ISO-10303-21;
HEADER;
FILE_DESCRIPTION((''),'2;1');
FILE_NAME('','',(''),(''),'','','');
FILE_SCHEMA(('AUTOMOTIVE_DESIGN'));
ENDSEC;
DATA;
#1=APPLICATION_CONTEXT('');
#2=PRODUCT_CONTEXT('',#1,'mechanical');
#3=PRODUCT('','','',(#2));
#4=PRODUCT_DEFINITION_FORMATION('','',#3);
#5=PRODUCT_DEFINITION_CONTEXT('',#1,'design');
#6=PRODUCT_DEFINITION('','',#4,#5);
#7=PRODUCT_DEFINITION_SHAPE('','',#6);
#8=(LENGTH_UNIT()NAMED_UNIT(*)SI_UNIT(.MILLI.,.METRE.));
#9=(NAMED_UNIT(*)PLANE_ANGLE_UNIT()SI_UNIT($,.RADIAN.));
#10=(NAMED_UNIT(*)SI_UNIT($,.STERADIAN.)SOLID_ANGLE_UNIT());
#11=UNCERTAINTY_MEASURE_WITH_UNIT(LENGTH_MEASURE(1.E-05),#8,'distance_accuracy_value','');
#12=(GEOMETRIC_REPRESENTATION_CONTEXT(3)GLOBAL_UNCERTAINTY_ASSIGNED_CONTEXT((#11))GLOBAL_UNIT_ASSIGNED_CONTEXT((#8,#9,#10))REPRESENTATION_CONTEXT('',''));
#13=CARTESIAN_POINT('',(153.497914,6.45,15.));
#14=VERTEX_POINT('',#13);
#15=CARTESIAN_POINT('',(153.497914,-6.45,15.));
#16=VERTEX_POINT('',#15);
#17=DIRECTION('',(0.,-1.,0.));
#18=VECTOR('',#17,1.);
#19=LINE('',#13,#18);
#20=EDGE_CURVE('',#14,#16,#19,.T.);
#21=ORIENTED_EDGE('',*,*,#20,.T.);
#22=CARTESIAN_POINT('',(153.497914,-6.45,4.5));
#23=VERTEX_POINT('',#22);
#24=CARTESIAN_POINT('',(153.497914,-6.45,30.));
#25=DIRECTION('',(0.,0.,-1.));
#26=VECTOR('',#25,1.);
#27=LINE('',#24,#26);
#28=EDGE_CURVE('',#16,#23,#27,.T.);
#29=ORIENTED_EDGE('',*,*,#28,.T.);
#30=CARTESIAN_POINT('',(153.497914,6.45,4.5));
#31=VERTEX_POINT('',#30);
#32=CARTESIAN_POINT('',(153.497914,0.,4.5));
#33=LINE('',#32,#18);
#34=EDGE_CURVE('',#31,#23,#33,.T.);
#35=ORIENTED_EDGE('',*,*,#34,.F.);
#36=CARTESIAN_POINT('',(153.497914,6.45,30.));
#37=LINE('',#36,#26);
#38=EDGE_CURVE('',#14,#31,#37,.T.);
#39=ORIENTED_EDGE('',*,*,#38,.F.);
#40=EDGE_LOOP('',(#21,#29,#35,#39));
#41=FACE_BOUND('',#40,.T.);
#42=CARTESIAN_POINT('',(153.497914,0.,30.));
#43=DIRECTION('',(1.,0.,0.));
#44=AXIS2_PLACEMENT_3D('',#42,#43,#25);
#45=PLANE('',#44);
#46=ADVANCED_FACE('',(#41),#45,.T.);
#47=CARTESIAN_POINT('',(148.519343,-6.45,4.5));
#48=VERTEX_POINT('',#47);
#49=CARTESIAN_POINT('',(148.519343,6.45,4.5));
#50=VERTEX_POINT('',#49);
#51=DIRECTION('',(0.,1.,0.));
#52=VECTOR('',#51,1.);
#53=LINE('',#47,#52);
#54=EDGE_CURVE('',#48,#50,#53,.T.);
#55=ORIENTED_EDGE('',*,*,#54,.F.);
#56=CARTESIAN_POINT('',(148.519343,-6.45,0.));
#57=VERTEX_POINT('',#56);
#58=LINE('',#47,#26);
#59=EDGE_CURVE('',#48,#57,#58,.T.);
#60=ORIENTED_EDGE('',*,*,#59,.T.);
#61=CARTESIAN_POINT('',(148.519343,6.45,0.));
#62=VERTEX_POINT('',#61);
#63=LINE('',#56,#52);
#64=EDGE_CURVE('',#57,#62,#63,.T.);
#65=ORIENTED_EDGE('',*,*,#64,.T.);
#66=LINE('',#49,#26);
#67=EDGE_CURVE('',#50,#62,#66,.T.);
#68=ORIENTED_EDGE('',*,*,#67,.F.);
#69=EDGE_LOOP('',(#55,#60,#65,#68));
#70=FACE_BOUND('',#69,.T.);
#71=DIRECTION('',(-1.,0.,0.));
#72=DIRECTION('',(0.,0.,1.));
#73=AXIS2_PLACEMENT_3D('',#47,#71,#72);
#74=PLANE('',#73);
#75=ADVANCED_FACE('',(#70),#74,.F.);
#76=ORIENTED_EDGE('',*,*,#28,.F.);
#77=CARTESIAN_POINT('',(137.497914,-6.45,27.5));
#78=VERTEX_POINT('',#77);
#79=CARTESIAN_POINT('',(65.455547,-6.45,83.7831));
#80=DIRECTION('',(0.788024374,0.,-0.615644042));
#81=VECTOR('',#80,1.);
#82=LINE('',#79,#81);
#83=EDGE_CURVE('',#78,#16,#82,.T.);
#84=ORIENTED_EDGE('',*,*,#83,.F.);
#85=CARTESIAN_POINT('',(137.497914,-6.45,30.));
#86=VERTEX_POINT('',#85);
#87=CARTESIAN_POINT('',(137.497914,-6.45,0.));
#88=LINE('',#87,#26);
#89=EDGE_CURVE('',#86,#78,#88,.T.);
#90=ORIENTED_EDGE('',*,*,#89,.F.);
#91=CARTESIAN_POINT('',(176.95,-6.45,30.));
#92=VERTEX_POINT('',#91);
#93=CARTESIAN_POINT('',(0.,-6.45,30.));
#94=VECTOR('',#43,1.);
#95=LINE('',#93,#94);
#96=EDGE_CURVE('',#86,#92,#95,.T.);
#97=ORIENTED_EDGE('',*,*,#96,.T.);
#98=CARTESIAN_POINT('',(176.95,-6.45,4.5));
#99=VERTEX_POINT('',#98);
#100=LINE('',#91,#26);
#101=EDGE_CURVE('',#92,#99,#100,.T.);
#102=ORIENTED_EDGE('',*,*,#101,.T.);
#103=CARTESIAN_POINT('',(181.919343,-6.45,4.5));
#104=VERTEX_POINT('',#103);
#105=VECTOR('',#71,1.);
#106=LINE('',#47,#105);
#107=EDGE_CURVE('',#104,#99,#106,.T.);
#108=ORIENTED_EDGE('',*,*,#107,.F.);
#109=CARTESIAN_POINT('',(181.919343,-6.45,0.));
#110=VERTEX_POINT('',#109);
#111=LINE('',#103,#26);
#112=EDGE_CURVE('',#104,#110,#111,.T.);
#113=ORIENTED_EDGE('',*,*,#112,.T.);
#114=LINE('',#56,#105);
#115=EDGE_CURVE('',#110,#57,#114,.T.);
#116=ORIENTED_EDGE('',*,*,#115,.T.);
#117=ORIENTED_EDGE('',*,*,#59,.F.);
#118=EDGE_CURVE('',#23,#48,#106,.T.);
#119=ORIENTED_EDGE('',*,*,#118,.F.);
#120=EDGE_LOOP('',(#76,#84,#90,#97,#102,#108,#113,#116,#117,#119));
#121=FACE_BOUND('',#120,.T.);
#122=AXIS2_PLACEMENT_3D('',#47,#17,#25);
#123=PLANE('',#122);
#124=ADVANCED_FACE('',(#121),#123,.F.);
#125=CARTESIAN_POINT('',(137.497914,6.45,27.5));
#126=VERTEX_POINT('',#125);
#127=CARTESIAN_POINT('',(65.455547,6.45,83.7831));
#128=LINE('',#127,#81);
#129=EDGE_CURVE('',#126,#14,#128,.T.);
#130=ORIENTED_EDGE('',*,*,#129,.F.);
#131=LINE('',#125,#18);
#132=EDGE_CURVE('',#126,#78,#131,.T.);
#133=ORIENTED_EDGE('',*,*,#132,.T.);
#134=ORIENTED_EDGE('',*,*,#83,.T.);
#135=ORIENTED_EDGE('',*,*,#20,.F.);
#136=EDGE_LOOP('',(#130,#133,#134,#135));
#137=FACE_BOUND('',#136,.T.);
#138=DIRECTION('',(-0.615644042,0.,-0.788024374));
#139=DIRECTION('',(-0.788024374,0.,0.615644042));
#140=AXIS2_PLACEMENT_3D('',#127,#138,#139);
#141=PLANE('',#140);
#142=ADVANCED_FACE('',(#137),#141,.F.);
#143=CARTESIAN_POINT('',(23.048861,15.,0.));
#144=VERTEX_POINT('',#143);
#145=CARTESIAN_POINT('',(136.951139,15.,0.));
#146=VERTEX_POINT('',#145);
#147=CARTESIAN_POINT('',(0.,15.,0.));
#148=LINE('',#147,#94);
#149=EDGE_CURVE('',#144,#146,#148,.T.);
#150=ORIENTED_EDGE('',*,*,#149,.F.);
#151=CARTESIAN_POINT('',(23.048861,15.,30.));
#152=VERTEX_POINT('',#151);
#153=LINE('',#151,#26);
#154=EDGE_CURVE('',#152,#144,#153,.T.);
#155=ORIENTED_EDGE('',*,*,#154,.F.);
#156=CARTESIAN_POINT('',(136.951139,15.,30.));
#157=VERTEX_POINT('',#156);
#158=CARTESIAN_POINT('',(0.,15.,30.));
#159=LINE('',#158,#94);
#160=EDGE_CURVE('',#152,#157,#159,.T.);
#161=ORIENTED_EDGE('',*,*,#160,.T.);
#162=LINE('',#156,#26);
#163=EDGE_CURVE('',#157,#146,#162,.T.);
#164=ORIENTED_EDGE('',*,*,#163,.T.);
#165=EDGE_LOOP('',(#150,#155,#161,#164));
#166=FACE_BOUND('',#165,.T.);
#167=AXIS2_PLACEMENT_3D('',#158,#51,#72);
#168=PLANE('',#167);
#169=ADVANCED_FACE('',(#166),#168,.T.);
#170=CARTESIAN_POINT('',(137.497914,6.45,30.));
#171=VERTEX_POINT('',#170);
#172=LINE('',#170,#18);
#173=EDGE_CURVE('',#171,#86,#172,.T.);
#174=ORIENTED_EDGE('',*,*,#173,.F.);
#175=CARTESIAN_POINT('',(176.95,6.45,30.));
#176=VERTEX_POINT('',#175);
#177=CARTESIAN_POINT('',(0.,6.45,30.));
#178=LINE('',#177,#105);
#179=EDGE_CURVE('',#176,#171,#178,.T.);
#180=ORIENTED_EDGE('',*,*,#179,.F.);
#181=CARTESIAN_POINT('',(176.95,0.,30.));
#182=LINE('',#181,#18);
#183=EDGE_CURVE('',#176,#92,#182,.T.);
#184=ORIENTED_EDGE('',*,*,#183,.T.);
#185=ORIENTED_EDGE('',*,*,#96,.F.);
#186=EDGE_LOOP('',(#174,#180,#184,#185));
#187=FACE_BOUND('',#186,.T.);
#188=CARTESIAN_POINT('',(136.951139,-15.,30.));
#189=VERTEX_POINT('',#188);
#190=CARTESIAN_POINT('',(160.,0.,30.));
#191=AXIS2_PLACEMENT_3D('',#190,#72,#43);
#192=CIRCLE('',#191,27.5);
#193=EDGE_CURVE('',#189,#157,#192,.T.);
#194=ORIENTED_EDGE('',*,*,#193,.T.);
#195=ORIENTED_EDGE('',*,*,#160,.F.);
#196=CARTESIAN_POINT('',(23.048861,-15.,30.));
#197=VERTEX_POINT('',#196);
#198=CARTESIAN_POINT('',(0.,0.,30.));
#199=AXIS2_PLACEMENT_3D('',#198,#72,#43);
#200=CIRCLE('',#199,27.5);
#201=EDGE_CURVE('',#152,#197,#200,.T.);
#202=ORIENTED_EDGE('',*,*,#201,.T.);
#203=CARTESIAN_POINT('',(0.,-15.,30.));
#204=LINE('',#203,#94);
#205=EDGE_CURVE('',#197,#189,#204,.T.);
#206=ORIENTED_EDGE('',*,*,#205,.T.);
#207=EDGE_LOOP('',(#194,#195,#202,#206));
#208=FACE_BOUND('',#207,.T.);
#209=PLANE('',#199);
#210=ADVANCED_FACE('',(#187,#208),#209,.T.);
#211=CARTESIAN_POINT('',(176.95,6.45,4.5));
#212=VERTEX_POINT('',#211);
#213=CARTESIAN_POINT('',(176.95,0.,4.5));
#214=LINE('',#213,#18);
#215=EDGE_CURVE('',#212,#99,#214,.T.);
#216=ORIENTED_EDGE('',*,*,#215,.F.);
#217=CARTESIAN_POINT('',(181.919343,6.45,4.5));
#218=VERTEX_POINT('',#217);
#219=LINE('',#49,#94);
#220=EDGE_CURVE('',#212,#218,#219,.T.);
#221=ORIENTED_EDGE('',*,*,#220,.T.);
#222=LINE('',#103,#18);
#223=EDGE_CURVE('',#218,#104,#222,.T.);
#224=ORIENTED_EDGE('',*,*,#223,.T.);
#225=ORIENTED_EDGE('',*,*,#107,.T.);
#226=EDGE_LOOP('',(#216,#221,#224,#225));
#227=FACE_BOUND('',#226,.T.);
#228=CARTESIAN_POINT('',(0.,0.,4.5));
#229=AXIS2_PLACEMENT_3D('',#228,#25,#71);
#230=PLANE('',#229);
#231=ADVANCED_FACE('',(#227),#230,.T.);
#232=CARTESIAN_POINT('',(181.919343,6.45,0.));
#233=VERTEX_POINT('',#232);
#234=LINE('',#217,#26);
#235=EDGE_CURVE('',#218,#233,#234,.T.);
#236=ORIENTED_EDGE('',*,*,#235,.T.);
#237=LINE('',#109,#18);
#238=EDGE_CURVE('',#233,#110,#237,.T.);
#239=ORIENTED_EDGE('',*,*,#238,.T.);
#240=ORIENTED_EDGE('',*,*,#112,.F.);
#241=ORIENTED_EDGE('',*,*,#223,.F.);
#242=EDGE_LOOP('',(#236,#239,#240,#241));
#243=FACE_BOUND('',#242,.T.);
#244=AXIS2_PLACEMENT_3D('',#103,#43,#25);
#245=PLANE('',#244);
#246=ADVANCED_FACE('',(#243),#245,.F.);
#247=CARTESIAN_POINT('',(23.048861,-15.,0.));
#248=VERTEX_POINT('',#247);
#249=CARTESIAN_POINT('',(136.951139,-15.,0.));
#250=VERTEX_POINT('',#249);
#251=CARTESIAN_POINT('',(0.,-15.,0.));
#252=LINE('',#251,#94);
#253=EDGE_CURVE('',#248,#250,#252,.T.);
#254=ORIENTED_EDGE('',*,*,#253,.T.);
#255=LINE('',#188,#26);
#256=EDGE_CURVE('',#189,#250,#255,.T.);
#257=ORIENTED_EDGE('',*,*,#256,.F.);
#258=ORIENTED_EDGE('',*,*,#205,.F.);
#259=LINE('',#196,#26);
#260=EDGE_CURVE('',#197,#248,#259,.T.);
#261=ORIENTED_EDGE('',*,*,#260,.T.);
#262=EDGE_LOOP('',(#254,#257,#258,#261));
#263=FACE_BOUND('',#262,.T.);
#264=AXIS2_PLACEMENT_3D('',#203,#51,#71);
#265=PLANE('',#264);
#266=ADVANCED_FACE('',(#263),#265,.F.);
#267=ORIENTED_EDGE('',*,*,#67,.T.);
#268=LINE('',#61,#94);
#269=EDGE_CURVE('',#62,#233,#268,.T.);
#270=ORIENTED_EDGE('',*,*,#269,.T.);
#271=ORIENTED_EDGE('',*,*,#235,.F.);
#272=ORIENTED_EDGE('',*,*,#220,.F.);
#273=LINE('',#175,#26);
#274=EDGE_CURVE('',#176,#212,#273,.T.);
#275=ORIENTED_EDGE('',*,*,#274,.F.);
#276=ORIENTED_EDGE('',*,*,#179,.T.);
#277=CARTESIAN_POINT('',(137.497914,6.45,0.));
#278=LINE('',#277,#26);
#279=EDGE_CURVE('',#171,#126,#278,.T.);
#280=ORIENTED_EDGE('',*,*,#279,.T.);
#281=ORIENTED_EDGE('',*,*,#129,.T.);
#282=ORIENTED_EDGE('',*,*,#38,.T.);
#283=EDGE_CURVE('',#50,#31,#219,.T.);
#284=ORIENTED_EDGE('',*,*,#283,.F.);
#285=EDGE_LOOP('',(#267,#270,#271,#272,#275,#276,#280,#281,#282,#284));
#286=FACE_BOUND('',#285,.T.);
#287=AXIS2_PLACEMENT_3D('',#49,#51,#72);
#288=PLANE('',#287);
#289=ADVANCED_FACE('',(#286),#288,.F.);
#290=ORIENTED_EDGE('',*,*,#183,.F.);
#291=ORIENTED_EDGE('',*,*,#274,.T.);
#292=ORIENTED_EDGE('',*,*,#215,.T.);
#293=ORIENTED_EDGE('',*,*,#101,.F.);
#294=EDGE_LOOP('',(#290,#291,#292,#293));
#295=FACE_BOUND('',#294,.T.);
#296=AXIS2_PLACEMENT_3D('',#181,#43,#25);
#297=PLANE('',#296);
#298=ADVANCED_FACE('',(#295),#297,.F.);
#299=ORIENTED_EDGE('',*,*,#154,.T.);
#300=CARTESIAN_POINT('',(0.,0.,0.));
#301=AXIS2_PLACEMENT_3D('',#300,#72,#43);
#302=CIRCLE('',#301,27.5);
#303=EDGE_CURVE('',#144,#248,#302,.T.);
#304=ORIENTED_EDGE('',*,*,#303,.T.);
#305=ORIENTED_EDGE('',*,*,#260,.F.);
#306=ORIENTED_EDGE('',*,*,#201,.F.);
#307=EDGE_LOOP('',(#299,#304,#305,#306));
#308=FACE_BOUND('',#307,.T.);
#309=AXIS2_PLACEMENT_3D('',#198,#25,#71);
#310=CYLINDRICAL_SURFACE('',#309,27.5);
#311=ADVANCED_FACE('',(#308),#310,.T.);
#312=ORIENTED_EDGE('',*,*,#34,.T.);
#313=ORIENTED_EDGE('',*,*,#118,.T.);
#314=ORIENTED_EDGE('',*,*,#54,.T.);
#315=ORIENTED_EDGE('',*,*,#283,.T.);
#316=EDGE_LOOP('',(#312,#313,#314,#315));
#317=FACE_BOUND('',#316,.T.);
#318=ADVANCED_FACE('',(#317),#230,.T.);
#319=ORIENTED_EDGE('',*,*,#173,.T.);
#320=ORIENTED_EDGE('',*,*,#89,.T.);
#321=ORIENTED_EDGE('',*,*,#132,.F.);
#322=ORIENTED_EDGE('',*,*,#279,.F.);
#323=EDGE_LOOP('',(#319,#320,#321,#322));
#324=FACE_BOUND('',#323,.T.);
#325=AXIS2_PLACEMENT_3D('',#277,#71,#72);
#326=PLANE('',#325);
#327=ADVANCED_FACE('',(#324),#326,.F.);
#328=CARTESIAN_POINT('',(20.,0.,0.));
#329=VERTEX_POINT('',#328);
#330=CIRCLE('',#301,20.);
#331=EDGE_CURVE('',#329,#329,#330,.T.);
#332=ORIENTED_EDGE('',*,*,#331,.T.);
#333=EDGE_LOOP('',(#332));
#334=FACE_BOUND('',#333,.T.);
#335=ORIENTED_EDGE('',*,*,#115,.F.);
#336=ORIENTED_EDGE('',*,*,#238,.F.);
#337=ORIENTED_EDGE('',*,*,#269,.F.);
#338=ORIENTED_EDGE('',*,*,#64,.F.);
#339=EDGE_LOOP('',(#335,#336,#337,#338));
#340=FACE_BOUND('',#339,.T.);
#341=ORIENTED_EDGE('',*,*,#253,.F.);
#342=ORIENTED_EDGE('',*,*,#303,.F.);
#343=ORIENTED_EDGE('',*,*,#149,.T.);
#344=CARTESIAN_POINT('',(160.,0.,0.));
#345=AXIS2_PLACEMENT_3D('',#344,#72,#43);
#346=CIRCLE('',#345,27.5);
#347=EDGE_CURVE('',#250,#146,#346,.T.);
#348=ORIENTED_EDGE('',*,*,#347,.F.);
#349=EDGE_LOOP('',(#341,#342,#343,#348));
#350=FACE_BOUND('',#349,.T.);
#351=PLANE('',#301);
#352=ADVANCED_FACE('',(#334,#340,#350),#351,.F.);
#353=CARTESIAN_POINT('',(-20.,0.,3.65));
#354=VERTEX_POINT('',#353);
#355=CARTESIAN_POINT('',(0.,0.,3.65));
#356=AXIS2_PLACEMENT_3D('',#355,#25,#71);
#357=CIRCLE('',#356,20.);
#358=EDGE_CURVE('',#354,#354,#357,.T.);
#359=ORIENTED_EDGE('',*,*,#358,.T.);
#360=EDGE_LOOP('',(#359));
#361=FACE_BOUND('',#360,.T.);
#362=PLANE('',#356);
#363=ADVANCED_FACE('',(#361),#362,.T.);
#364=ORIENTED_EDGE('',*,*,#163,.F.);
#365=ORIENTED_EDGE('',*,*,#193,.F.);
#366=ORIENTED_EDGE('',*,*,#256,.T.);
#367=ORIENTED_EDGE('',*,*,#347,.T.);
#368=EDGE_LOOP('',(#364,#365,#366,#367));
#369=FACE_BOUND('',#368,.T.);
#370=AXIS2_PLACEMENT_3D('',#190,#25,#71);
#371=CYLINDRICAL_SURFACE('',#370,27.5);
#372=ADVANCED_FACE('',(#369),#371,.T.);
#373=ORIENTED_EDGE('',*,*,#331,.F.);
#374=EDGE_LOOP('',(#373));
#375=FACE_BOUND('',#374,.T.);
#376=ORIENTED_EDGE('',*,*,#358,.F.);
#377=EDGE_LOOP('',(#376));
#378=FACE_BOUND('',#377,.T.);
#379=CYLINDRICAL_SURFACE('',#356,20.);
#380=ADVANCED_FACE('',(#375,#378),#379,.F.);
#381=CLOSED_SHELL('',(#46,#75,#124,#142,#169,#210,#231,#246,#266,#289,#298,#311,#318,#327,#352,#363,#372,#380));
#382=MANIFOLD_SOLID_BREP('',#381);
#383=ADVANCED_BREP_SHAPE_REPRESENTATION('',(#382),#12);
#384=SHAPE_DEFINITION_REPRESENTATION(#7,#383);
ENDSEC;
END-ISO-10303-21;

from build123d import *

# Parameters (mm, degrees)
BOSS_EXTRUDE1_DEPTH = 30
SKETCH16_W          = 33.4
SKETCH16_H          = 12.9
CUT_EXTRUDE10_DEPTH = 4.5
SKETCH17_W          = 23.45208563
SKETCH17_H          = 12.9
CUT_EXTRUDE11_DEPTH = 192.865838543
CUT_EXTRUDE13_DEPTH = 6.45
SKETCH19_R          = 20
CUT_EXTRUDE14_DEPTH = 3.65


with BuildPart() as part:
    # Sketch1 → Boss-Extrude1 (new body)
    with BuildSketch(Plane.XY):
        with BuildLine():
            ThreePointArc((187.5, 0), (167.823244805, 26.363741023), (136.951138857, 15))
            Line((136.951138857, 15), (160, 15))
            Line((160, 15), (160, -15))
            Line((160, -15), (136.951138857, -15))
            ThreePointArc((136.951138857, -15), (167.823244805, -26.363741023), (187.5, 0))
        make_face()
        with BuildLine():
            Line((160, 15), (136.951138857, 15))
            ThreePointArc((136.951138857, 15), (132.5, 0), (136.951138857, -15))
            Line((136.951138857, -15), (160, -15))
            Line((160, -15), (160, 15))
        make_face()
        with BuildLine():
            Line((136.951138857, 15), (23.048861143, 15))
            ThreePointArc((23.048861143, 15), (26.363741023, 7.823244805), (27.5, 0))
            ThreePointArc((27.5, 0), (26.363741023, -7.823244805), (23.048861143, -15))
            Line((23.048861143, -15), (136.951138857, -15))
            ThreePointArc((136.951138857, -15), (132.5, 0), (136.951138857, 15))
        make_face()
        with BuildLine():
            ThreePointArc((13.228756555, -15), (-20, 0), (13.228756555, 15))
            Line((13.228756555, 15), (23.048861143, 15))
            ThreePointArc((23.048861143, 15), (-27.5, 0), (23.048861143, -15))
            Line((23.048861143, -15), (13.228756555, -15))
        make_face()
        with BuildLine():
            Line((23.048861143, 15), (13.228756555, 15))
            ThreePointArc((13.228756555, 15), (18.228756555, 8.228756555), (20, 0))
            ThreePointArc((20, 0), (18.228756555, -8.228756555), (13.228756555, -15))
            Line((13.228756555, -15), (23.048861143, -15))
            ThreePointArc((23.048861143, -15), (26.363741023, -7.823244805), (27.5, 0))
            ThreePointArc((27.5, 0), (26.363741023, 7.823244805), (23.048861143, 15))
        make_face()
        with BuildLine():
            Line((0, -15), (0, 15))
            Line((0, 15), (13.228756555, 15))
            ThreePointArc((13.228756555, 15), (-20, 0), (13.228756555, -15))
            Line((13.228756555, -15), (0, -15))
        make_face()
        with BuildLine():
            Line((13.228756555, 15), (0, 15))
            Line((0, 15), (0, -15))
            Line((0, -15), (13.228756555, -15))
            ThreePointArc((13.228756555, -15), (18.228756555, -8.228756555), (20, 0))
            ThreePointArc((20, 0), (18.228756555, 8.228756555), (13.228756555, 15))
        make_face()
    extrude(amount=BOSS_EXTRUDE1_DEPTH)

    # Sketch16 → Cut-Extrude10 (cut)
    with BuildSketch(Plane(origin=(0, 0, 0), x_dir=(-1, 0, 0), z_dir=(0, 0, -1))):
        with Locations((-165.21934279, 0)):
            Rectangle(SKETCH16_W, SKETCH16_H)
    extrude(amount=-CUT_EXTRUDE10_DEPTH, mode=Mode.SUBTRACT)

    # Sketch17 → Cut-Extrude11 (cut, through all)
    with BuildSketch(Plane(origin=(0, 0, 0), x_dir=(-1, 0, 0), z_dir=(0, 0, -1))):
        with Locations((-165.223957185, 0)):
            Rectangle(SKETCH17_W, SKETCH17_H)
    extrude(amount=-CUT_EXTRUDE11_DEPTH, mode=Mode.SUBTRACT)

    # Sketch18 → Cut-Extrude13 (cut, symmetric)
    with BuildSketch(Plane(origin=(0, 0, 0), x_dir=(-1, 0, 0), z_dir=(0, -1, 0))):
        Polygon((-153.49791437, -15), (-153.49791437, -30), (-137.49791437, -30), (-137.49791437, -27.5), align=None)
    extrude(amount=CUT_EXTRUDE13_DEPTH, both=True, mode=Mode.SUBTRACT)

    # Sketch19 → Cut-Extrude14 (cut, symmetric)
    with BuildSketch(Plane(origin=(0, 0, 0), x_dir=(-1, 0, 0), z_dir=(0, 0, -1))):
        Circle(SKETCH19_R)
    extrude(amount=CUT_EXTRUDE14_DEPTH, both=True, mode=Mode.SUBTRACT)


solid = part.part
